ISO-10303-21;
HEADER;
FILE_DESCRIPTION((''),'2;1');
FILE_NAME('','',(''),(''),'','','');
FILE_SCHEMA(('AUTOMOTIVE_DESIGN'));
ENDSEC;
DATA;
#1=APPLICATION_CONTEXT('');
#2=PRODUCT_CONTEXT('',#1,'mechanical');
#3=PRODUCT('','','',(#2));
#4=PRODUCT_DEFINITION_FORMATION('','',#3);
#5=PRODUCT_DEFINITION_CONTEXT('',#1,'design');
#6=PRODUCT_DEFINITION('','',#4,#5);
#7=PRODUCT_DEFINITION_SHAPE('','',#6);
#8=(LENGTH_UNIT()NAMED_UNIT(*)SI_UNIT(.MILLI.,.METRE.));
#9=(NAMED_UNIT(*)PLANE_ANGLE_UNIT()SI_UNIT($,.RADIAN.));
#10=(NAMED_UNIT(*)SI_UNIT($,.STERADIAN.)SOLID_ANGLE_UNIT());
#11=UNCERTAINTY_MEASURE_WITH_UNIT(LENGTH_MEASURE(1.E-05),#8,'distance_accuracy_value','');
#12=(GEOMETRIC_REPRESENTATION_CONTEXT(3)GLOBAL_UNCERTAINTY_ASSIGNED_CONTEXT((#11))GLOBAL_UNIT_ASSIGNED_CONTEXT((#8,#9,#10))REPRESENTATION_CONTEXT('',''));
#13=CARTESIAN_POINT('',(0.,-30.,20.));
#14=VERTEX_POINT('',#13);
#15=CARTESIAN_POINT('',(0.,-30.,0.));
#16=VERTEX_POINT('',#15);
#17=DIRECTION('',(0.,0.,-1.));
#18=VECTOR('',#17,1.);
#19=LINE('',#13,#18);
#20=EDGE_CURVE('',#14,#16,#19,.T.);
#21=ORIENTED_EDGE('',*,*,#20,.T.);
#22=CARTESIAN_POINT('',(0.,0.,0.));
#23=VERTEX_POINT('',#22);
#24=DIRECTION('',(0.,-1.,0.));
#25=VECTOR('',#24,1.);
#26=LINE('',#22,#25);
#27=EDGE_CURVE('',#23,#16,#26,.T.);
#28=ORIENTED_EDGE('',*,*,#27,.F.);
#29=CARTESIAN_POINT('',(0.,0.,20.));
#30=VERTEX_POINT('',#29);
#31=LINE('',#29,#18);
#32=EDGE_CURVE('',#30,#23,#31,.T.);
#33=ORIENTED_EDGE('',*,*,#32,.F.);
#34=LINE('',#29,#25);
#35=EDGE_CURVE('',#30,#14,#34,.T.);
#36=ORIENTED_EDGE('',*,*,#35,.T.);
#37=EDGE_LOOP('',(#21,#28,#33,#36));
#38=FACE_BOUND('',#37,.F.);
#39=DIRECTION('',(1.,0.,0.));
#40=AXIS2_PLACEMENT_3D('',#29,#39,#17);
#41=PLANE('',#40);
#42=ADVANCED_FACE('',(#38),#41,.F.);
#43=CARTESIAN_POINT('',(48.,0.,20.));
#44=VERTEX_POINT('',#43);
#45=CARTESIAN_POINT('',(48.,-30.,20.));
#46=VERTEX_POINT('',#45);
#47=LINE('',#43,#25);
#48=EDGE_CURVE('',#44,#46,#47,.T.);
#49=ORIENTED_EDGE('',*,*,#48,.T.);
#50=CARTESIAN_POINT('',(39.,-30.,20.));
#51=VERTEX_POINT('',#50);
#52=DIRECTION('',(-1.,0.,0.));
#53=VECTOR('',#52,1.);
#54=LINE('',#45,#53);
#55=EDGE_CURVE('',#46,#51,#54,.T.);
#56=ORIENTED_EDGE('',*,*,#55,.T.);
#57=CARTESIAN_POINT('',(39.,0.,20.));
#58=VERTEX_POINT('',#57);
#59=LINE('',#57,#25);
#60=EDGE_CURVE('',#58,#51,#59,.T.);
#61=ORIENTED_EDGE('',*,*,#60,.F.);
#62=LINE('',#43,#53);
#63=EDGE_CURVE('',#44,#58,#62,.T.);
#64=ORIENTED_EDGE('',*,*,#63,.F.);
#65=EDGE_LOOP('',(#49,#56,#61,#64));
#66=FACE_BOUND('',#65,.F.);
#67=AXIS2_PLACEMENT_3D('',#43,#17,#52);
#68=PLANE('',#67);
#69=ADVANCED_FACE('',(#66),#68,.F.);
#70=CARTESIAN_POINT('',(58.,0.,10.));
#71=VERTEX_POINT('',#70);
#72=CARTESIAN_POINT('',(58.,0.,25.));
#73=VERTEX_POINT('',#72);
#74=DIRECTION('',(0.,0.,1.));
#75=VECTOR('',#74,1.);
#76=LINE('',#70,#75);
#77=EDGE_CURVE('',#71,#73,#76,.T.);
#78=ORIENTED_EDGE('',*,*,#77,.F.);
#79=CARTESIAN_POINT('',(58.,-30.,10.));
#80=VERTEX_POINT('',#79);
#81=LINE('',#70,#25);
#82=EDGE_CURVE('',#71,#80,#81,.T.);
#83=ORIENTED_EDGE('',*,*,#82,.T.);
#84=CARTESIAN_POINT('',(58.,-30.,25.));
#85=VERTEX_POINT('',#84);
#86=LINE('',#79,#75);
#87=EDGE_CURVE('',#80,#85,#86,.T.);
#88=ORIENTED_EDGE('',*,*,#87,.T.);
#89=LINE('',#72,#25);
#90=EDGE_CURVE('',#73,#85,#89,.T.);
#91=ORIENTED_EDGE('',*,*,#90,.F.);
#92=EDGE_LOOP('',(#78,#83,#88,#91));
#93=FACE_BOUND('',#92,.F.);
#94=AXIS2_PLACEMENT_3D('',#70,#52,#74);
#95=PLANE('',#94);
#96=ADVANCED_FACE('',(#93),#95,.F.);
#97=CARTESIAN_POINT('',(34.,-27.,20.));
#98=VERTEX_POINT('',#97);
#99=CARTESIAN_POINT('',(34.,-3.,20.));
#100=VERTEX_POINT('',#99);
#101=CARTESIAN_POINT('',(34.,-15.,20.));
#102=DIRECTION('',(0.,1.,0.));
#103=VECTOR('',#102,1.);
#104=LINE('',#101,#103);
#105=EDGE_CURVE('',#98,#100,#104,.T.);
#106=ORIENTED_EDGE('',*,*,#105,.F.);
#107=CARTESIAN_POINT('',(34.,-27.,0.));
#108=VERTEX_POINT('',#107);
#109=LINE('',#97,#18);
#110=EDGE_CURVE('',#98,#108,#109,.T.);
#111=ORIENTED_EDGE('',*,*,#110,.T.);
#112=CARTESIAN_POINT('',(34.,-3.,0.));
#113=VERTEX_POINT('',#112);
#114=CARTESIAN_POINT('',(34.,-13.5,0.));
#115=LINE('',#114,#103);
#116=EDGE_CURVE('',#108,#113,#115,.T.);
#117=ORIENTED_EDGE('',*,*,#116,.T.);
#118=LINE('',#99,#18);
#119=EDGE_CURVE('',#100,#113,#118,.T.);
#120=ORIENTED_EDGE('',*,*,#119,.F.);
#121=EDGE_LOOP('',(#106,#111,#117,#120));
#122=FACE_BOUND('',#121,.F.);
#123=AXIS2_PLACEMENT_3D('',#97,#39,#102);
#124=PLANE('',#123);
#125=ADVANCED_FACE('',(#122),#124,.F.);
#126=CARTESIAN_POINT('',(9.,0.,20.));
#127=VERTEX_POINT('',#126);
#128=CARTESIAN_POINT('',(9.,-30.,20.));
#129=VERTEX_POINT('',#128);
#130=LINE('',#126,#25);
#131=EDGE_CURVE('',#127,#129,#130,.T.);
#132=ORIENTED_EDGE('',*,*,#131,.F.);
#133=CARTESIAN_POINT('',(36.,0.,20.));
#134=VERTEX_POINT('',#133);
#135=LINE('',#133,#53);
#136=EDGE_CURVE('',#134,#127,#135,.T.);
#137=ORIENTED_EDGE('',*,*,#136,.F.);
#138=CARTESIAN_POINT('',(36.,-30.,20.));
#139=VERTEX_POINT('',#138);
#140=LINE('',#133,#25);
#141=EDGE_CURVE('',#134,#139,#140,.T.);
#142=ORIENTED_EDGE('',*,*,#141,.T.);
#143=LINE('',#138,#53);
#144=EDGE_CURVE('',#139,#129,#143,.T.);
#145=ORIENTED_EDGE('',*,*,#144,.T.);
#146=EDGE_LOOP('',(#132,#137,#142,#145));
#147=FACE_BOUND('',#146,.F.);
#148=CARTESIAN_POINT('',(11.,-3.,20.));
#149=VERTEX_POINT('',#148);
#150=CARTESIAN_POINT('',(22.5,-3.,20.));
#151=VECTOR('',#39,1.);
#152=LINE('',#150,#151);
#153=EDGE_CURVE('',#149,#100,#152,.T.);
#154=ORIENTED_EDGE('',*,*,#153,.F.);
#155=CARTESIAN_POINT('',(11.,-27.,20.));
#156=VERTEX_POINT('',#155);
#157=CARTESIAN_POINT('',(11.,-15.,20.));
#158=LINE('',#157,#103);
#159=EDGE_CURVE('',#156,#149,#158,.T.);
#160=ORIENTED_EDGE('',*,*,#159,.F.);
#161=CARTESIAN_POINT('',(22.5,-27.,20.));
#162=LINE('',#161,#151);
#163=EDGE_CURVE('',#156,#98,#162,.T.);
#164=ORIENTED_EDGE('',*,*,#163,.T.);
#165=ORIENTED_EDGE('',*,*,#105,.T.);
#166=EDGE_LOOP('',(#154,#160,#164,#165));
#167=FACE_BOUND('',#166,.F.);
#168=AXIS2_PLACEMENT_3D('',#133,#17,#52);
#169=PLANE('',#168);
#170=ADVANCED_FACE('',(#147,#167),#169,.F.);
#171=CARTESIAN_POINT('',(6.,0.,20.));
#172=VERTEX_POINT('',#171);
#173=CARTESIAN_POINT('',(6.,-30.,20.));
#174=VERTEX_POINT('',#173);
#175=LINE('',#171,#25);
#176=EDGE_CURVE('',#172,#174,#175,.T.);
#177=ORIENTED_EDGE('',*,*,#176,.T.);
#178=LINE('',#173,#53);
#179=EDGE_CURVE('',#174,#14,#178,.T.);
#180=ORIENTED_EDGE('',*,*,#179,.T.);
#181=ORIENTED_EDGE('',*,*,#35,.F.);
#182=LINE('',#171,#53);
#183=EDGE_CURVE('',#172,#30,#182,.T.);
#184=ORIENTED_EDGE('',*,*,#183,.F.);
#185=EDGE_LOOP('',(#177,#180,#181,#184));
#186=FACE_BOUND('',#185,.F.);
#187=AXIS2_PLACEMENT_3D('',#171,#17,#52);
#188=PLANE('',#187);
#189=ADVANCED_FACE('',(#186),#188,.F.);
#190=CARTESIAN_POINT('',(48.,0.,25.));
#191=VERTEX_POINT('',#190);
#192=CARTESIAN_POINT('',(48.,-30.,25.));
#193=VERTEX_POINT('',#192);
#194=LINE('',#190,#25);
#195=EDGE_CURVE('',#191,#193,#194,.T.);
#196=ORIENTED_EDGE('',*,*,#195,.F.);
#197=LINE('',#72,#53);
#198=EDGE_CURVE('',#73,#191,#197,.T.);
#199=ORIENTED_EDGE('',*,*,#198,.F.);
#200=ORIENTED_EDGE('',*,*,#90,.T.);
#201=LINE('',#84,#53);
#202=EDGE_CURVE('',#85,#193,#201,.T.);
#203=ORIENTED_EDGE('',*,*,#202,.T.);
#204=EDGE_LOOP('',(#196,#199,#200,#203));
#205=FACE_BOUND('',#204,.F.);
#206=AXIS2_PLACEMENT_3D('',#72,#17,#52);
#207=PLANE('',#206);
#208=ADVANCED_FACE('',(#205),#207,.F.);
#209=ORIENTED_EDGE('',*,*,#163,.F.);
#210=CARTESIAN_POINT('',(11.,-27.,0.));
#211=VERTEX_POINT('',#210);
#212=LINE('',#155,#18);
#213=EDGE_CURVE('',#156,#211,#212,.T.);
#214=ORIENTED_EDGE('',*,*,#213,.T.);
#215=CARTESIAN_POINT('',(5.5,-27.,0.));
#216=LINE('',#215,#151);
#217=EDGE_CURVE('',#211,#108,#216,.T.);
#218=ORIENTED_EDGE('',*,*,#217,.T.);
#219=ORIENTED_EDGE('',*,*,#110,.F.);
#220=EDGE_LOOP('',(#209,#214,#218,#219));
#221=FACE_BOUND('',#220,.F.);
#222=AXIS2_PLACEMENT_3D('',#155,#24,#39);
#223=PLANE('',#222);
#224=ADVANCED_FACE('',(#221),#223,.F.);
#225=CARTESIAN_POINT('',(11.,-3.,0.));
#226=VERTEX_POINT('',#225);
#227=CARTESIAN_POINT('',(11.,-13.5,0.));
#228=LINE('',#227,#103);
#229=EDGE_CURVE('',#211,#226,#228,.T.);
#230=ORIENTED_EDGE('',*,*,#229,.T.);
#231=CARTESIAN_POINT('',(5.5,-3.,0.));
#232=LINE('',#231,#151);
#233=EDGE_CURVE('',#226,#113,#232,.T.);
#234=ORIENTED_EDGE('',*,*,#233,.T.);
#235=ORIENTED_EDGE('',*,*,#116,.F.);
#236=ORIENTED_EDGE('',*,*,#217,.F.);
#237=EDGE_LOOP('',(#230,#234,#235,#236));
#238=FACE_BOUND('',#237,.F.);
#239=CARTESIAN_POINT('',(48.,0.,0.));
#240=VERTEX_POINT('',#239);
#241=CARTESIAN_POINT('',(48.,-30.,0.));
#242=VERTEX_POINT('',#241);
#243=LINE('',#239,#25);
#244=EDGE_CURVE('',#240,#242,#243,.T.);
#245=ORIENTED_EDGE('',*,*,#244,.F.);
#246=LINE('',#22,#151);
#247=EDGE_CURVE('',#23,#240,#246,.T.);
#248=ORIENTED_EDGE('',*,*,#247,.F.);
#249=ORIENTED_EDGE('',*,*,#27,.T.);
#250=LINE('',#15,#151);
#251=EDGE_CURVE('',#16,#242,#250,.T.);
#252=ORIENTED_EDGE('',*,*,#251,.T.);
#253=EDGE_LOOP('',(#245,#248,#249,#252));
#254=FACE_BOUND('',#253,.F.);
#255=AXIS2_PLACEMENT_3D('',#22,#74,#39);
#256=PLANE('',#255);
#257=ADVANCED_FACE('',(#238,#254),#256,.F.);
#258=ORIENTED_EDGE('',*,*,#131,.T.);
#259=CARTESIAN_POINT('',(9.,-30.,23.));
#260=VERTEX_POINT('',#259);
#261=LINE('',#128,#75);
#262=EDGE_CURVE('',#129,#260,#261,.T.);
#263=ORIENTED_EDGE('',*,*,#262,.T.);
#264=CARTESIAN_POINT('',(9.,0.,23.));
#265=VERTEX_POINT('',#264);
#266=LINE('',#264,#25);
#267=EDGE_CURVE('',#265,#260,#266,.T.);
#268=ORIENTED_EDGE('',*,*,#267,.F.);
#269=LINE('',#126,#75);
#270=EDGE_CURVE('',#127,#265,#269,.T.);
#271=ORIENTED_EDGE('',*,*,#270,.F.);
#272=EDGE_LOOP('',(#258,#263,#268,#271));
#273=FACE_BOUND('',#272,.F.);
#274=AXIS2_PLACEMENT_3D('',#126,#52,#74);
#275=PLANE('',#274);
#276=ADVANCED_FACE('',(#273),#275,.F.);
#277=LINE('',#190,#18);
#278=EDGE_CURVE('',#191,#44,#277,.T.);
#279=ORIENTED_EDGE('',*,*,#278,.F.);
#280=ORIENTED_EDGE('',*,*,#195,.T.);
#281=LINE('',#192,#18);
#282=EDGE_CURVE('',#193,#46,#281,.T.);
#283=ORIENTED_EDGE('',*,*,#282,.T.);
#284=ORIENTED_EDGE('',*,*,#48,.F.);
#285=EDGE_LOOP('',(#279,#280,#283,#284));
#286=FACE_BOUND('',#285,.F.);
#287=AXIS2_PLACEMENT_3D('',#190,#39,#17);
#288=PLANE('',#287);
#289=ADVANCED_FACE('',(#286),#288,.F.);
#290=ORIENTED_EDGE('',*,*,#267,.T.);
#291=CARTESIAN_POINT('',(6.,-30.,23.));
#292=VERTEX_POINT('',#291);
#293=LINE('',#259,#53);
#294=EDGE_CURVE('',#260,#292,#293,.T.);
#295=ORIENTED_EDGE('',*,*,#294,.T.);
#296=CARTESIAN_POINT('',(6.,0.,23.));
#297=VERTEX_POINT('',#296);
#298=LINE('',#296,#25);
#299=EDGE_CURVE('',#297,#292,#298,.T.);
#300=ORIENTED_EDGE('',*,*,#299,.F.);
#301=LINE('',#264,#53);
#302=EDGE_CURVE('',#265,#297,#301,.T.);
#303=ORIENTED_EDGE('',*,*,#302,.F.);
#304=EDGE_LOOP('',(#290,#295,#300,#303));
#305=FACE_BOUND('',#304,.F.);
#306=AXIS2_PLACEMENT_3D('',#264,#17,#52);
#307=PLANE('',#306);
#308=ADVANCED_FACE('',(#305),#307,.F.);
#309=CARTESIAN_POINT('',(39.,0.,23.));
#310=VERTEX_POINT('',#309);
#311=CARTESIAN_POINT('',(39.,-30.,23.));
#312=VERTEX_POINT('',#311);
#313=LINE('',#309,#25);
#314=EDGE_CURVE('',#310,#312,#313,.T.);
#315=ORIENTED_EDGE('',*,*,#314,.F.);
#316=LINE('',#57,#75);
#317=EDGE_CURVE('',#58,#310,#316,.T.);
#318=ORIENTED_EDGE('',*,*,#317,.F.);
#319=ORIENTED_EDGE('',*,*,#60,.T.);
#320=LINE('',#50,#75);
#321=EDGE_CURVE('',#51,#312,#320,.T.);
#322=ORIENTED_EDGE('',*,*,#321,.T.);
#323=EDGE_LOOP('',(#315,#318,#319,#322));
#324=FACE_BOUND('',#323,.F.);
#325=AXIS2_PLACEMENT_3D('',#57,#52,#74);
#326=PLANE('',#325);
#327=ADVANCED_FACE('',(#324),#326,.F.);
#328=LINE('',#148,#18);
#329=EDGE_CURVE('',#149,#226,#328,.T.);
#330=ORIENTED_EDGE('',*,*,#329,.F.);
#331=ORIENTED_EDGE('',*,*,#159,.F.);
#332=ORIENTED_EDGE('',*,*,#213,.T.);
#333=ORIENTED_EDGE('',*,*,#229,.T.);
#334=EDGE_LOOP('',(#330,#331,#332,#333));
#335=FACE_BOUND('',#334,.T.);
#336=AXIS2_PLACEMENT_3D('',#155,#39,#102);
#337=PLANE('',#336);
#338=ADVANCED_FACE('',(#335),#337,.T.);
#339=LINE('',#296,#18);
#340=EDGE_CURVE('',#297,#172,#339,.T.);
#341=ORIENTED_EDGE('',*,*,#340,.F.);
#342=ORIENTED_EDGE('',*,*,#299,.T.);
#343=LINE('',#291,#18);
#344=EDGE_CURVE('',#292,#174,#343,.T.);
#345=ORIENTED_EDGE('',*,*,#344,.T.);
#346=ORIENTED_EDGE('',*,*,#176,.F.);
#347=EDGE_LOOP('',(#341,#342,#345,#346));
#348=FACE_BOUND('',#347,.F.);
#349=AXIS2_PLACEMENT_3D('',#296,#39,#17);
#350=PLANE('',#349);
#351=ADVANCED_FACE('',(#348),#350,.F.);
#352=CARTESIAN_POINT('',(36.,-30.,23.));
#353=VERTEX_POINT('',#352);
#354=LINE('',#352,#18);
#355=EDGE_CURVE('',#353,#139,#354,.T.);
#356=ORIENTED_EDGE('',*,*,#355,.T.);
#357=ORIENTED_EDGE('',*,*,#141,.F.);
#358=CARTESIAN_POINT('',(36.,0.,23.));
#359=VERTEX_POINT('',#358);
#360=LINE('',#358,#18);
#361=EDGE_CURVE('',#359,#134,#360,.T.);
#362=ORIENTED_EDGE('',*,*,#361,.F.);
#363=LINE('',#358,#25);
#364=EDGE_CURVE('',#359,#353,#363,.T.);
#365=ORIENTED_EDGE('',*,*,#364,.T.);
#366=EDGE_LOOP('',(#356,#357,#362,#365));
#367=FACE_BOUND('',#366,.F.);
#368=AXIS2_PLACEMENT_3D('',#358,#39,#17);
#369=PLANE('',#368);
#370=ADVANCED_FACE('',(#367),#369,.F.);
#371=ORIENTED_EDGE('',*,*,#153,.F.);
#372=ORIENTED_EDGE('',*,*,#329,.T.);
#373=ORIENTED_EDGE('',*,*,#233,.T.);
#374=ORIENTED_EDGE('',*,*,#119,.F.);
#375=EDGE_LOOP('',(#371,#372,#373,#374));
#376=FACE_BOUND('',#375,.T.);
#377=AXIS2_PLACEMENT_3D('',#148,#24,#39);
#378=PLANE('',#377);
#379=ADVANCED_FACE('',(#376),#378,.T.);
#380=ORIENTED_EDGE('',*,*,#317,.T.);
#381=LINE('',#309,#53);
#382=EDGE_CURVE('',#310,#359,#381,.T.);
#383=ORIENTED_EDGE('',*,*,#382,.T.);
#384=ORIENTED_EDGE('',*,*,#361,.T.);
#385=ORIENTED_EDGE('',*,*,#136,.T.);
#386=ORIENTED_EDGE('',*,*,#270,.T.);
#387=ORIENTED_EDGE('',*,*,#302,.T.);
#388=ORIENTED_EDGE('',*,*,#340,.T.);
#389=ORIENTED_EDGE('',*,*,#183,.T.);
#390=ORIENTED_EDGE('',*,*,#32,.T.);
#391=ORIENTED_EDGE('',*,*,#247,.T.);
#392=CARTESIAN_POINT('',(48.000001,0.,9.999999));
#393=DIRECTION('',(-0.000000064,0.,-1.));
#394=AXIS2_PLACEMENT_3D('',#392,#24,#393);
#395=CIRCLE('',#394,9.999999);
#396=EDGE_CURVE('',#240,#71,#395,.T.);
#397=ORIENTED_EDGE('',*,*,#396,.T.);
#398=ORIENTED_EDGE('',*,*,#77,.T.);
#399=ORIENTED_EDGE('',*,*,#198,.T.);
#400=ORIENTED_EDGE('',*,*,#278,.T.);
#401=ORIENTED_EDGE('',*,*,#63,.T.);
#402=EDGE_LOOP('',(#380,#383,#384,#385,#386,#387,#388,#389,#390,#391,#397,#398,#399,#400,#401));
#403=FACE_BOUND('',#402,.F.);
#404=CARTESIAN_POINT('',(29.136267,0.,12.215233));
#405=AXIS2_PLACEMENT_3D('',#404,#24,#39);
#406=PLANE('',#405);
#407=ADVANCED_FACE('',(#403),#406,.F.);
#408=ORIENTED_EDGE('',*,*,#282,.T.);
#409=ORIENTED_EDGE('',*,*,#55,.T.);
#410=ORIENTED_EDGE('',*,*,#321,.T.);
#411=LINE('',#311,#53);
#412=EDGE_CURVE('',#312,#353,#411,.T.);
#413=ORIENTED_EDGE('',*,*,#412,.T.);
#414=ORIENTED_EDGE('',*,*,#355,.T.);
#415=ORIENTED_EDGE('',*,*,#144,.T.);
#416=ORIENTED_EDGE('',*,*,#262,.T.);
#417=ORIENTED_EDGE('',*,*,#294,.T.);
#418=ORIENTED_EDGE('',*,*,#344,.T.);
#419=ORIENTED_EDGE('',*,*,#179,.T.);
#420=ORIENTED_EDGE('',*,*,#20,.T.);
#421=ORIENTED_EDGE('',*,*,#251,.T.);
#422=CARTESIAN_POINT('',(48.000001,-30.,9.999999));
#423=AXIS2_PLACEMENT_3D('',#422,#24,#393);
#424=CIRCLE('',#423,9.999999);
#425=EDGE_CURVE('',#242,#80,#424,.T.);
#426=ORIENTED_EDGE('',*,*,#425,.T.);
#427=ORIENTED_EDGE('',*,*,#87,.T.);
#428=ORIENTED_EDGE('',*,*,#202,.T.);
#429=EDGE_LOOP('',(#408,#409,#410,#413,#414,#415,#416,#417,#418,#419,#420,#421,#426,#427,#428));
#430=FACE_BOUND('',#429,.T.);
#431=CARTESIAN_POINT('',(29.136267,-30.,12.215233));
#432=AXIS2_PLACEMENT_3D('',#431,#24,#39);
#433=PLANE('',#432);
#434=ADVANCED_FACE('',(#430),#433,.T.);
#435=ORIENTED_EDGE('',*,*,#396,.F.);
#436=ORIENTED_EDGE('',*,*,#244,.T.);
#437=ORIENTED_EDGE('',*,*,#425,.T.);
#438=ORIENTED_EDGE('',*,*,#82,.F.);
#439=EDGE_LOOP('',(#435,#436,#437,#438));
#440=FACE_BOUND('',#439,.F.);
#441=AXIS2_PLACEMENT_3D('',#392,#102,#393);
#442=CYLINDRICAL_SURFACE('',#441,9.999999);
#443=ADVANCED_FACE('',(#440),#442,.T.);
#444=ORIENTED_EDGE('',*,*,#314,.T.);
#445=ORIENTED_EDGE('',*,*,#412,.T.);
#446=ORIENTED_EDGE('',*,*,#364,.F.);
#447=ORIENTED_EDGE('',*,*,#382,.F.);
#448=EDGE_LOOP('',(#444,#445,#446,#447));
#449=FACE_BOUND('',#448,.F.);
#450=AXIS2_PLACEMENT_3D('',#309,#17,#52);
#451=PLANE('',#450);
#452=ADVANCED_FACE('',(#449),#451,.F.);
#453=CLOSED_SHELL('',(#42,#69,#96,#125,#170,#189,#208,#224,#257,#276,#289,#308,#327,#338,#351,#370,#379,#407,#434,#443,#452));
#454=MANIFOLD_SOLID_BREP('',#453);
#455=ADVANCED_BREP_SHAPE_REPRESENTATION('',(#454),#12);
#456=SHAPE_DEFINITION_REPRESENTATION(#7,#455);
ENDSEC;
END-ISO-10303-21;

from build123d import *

# Parameters (mm, degrees)
F1_DEPTH = 30
F2_W     = 23
F2_H     = 24
F3_DEPTH = 20.001


with BuildPart() as f1:
    # F0 (on Front) → F1 (new body)
    with BuildSketch(Plane.XZ):
        with BuildLine():
            Line((0, 20), (0, 0))
            Line((0, 0), (48, 0))
            ThreePointArc((48, 0), (55.071068, 2.928932), (58, 10))
            Line((58, 10), (58, 25))
            Line((58, 25), (48, 25))
            Line((48, 25), (48, 20))
            Line((48, 20), (39, 20))
            Line((39, 20), (39, 23))
            Line((39, 23), (36, 23))
            Line((36, 23), (36, 20))
            Line((36, 20), (9, 20))
            Line((9, 20), (9, 23))
            Line((9, 23), (6, 23))
            Line((6, 23), (6, 20))
            Line((6, 20), (0, 20))
        make_face()
    extrude(amount=F1_DEPTH)

    # F2 (on face) → F3 (cut, through all)
    with BuildSketch(Plane.XY.offset(20)):
        with Locations((22.5, -15)):
            Rectangle(F2_W, F2_H)
    extrude(amount=-F3_DEPTH, mode=Mode.SUBTRACT)


solid = f1.part
